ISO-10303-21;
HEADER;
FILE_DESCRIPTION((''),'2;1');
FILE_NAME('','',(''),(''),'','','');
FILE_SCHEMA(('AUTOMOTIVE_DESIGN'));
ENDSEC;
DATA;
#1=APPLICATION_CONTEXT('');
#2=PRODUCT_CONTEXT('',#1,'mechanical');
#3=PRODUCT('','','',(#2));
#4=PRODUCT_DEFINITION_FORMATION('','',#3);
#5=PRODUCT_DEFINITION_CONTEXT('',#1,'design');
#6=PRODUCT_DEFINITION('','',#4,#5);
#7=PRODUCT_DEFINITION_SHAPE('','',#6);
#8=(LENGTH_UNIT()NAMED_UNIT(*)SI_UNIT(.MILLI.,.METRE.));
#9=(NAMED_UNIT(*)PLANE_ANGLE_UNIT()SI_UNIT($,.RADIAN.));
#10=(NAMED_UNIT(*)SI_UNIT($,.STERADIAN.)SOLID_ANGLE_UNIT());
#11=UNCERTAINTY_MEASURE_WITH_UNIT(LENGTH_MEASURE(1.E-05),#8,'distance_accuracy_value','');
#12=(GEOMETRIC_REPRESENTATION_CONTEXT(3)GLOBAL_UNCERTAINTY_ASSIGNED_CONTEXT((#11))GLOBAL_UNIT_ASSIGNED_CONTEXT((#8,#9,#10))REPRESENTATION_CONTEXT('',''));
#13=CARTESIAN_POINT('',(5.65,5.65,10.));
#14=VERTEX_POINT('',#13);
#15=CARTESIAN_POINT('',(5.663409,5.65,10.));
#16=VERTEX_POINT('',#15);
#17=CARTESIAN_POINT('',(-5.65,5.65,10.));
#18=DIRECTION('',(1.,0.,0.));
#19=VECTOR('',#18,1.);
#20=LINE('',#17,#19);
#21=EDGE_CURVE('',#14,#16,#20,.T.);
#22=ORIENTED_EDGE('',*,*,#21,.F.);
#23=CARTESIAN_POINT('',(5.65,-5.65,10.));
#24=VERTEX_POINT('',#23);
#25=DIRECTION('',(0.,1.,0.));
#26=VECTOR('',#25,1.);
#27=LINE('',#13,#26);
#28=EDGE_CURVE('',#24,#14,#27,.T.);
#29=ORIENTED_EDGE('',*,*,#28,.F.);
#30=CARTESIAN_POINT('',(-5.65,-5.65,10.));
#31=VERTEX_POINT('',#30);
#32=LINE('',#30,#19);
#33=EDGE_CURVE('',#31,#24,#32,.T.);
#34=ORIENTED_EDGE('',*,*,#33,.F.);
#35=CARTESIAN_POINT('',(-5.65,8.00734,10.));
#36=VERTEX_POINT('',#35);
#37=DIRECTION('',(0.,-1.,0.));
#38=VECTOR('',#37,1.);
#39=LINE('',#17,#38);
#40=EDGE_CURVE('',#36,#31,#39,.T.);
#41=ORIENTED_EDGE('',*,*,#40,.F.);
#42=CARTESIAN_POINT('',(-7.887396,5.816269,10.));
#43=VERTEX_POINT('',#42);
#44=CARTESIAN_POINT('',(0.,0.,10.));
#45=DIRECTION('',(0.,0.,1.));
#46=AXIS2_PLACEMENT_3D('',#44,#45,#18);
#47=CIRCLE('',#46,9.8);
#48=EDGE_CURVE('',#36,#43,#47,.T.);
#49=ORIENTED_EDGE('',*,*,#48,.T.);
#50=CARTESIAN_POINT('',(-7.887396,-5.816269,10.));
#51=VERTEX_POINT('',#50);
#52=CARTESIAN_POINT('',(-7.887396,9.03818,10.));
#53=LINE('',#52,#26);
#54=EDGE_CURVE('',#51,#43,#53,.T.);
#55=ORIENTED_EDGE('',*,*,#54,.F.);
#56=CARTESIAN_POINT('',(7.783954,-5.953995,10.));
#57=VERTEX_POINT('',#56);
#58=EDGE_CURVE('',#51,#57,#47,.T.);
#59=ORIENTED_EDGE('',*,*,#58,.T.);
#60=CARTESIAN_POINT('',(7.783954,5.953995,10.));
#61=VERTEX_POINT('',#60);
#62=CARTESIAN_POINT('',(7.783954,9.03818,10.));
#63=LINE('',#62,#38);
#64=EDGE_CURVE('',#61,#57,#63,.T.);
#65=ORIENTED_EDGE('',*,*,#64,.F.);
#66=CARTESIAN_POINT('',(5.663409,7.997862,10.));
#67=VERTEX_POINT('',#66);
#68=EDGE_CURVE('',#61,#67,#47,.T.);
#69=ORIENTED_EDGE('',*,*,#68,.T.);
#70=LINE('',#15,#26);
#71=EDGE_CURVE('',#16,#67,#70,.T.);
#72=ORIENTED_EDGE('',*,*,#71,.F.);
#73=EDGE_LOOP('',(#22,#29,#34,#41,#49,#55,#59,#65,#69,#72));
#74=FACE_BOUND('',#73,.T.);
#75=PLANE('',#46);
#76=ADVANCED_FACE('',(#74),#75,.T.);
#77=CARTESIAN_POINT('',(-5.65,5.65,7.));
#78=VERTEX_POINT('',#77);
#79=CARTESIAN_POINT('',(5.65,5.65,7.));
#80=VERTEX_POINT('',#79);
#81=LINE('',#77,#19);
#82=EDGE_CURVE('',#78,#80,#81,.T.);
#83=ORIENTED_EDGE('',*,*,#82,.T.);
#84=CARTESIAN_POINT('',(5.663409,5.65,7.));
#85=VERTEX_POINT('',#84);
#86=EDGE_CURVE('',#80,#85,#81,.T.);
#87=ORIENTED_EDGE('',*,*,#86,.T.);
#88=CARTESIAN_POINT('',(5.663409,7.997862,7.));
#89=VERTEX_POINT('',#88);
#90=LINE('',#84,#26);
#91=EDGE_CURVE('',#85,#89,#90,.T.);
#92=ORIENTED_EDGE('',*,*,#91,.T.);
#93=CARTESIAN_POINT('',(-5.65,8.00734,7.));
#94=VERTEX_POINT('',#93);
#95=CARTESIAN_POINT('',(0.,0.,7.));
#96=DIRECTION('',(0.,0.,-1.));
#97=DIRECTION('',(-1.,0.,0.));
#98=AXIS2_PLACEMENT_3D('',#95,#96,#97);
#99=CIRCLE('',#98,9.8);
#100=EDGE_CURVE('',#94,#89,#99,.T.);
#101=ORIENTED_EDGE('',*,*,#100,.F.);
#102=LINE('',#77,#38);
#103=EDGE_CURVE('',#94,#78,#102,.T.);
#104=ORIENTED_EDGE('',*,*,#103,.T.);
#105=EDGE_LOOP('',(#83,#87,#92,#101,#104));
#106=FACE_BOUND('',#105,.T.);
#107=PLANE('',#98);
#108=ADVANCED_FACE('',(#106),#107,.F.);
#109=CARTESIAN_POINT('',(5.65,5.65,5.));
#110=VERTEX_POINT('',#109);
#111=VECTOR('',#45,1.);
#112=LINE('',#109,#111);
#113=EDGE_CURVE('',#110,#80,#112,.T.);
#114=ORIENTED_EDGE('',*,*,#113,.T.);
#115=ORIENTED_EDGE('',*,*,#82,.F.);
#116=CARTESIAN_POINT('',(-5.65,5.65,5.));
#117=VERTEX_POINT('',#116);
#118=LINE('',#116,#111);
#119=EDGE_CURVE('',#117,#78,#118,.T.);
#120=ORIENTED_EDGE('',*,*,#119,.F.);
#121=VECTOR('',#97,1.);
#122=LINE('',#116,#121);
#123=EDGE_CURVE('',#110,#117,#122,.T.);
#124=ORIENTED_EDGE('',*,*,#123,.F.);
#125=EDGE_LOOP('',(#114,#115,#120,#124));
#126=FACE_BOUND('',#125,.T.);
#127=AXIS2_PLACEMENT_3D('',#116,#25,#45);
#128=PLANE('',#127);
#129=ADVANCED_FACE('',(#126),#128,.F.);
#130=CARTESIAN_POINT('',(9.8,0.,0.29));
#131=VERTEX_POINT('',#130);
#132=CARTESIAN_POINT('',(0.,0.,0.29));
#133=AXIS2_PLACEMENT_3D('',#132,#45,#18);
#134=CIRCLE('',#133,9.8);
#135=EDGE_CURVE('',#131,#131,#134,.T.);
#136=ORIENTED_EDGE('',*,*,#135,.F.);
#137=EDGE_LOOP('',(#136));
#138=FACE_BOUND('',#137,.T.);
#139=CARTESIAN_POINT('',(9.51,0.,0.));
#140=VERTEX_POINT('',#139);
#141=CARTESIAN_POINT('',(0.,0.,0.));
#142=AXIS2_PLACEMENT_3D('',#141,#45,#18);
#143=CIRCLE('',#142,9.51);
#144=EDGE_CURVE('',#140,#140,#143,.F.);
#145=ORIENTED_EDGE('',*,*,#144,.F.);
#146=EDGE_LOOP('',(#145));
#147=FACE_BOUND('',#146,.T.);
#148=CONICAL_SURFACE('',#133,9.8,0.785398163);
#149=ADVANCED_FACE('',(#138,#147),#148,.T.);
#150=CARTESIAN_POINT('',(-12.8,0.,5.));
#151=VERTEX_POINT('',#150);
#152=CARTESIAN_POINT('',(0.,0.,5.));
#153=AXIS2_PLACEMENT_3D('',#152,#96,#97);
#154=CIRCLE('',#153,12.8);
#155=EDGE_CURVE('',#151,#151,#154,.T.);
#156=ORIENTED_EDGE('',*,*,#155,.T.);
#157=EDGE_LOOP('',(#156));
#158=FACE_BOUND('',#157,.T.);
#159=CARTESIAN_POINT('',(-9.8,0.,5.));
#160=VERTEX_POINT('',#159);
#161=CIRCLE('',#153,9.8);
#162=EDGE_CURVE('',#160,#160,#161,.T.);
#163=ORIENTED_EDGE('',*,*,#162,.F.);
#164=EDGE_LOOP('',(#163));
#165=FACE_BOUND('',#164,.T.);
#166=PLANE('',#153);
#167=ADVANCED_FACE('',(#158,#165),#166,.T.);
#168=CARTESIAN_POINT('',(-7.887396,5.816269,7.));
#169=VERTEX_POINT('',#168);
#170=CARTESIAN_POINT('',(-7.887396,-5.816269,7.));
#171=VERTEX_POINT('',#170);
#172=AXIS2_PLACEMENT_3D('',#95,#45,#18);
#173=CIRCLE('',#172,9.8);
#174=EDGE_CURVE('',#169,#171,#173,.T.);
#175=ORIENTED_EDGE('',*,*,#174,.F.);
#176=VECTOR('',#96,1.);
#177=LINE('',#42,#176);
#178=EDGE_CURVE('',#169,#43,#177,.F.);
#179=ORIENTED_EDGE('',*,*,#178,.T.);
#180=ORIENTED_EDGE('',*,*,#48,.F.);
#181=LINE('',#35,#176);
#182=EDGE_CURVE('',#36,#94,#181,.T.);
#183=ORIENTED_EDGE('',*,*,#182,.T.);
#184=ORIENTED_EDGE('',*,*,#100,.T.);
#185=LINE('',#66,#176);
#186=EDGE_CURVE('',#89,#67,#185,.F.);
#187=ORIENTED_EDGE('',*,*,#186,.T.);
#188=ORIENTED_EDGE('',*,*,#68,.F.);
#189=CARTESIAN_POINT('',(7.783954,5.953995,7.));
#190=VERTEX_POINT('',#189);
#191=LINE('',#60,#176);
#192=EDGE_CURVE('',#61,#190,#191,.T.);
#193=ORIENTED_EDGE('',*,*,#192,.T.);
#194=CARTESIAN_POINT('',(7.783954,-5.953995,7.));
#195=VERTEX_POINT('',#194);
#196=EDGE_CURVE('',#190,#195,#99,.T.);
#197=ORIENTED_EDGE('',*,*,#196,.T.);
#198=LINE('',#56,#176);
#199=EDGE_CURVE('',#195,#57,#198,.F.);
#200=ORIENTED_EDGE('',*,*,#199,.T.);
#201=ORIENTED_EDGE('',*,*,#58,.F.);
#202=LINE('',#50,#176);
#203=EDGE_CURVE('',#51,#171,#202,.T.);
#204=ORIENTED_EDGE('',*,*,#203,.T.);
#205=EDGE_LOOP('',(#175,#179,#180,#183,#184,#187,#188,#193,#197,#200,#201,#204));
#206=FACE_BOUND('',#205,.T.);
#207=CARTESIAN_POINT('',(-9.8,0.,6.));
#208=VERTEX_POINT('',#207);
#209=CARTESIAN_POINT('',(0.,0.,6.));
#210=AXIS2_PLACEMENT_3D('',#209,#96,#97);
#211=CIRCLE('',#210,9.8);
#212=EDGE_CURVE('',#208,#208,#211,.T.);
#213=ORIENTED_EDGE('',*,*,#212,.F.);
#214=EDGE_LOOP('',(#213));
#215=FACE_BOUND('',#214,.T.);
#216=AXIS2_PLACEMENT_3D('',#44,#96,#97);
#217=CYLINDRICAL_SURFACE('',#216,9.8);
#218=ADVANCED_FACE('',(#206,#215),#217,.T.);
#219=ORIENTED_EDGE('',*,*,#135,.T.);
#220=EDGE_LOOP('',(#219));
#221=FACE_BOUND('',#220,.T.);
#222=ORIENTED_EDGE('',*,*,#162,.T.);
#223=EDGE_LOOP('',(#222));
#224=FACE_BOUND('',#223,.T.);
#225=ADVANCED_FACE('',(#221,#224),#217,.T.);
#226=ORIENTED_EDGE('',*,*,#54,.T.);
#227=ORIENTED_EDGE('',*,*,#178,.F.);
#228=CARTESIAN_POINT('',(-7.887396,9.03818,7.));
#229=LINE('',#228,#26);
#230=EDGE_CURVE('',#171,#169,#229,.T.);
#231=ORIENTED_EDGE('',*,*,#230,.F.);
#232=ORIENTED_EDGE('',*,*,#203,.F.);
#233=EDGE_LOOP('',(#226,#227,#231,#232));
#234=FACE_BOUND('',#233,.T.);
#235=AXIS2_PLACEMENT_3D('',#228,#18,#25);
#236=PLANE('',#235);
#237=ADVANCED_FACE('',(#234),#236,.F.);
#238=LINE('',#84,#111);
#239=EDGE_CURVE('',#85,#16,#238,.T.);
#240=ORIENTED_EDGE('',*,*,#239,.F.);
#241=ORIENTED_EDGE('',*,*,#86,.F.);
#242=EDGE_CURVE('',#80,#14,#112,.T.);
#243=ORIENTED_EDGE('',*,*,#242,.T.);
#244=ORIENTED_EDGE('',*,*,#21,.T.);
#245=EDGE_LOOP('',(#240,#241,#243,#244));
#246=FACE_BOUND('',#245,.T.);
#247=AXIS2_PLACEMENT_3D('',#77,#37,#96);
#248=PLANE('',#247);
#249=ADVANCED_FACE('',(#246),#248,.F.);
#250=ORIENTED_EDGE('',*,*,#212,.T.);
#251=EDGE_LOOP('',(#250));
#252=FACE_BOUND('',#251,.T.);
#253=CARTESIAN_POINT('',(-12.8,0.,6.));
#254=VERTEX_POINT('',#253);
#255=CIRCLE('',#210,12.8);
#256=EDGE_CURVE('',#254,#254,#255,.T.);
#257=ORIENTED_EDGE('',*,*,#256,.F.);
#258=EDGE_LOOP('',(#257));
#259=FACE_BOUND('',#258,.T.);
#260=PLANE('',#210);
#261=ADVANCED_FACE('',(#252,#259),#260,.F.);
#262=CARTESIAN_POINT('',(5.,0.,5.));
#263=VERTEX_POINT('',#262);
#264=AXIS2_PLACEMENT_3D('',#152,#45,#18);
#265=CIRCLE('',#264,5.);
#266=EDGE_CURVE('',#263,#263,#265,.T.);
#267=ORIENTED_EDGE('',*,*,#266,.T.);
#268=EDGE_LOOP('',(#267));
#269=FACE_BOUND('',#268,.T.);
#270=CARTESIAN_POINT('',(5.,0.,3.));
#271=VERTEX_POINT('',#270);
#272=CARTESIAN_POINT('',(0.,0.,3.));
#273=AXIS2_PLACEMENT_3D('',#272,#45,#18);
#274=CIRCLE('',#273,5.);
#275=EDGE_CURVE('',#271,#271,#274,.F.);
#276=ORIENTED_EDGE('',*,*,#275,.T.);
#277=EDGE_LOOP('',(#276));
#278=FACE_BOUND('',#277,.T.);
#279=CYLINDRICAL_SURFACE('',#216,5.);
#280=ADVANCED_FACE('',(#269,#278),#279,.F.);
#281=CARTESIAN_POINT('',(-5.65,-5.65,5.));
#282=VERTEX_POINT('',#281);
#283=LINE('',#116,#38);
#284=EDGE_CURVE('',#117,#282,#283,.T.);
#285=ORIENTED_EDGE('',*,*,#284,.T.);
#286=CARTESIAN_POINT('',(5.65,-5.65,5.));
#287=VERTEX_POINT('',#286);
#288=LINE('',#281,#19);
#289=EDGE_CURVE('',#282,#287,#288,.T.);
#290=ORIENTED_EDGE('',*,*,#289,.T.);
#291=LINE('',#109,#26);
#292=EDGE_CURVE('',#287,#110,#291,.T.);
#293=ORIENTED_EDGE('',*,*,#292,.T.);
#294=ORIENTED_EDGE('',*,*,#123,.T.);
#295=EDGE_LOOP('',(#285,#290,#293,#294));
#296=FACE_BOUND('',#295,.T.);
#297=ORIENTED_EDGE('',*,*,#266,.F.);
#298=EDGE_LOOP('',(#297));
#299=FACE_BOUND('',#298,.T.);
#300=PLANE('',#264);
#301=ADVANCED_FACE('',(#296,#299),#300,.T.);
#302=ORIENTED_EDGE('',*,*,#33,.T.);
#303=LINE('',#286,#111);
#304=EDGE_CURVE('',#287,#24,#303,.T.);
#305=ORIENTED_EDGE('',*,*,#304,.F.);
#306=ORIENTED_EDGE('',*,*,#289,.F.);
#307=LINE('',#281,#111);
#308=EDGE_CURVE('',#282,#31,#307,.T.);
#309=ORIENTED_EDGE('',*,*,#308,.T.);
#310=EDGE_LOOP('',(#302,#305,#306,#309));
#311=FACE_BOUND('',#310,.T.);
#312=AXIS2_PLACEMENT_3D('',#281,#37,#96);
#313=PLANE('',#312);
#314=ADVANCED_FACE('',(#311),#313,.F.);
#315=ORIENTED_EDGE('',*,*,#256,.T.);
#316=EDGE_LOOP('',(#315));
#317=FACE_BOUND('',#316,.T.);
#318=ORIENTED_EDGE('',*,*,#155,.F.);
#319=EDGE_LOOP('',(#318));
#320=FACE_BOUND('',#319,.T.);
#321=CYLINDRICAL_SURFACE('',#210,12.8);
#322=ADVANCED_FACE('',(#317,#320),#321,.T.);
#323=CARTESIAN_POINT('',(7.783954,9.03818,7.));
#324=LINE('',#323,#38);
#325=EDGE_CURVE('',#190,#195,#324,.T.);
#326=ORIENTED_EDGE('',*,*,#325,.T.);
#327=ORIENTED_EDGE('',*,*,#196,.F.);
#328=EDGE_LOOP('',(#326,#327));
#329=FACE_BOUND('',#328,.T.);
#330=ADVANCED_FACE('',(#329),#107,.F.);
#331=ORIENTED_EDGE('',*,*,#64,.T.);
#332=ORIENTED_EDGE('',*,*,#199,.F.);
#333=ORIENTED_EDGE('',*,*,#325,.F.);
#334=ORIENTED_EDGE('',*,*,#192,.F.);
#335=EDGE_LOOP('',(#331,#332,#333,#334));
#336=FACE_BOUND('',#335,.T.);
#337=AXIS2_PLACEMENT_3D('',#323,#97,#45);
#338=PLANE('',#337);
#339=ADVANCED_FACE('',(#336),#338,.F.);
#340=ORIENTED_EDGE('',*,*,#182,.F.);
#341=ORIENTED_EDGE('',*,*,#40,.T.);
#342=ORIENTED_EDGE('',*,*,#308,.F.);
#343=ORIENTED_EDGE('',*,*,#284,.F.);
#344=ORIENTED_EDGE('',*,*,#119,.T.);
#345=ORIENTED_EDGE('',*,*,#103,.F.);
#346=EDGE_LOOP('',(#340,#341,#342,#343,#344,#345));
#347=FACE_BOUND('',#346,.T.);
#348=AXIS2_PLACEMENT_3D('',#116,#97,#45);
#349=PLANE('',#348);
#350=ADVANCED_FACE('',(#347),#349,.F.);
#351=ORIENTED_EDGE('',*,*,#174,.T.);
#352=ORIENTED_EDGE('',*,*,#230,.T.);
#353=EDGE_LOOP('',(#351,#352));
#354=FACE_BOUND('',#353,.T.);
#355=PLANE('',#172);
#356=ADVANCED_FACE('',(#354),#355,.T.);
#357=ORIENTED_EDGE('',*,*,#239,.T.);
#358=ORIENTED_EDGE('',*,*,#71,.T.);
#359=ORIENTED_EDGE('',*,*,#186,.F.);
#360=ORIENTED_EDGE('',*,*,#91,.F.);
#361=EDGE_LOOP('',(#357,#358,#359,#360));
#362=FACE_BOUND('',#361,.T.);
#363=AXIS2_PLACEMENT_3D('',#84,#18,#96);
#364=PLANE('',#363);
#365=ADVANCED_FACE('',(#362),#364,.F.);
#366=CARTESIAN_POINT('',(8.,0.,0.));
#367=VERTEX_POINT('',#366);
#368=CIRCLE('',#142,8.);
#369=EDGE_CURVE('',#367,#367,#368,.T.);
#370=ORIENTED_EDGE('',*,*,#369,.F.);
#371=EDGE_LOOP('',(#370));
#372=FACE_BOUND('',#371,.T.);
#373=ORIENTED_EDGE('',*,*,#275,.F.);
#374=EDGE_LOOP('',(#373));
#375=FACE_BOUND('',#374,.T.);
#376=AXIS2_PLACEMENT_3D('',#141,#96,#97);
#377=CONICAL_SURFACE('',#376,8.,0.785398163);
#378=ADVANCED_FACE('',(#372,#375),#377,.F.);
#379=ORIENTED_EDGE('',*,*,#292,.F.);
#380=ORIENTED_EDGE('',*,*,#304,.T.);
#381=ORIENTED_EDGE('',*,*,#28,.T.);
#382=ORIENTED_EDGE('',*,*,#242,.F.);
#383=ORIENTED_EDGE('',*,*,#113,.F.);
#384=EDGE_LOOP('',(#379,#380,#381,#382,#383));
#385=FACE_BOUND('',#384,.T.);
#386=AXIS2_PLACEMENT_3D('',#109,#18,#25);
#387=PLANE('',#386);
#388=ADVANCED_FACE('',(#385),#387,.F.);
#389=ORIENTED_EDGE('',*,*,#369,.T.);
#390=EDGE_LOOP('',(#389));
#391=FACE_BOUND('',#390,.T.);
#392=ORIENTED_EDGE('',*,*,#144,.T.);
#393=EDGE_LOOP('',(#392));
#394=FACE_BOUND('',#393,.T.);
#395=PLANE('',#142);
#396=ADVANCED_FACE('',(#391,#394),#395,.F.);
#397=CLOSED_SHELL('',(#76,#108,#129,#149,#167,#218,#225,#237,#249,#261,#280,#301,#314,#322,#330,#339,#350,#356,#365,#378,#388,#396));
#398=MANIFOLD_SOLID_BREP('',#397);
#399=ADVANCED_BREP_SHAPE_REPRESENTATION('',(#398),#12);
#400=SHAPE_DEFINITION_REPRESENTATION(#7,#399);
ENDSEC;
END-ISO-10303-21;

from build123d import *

# Parameters (mm, degrees)
SKETCH1_R           = 9.8
SKETCH1_R_2         = 5
BOSS_EXTRUDE1_DEPTH = 10
SKETCH2_W           = 11.3
SKETCH2_H           = 11.3
CUT_EXTRUDE1_DEPTH  = 5
SKETCH3_W           = 11.313408722
SKETCH3_H           = 4.707055676
CUT_EXTRUDE2_DEPTH  = 3
SKETCH4_W           = 5.404805584
SKETCH4_H           = 18.076359344
SKETCH4_W_2         = 5.663408722
SKETCH4_H_2         = 17.947057775
CUT_EXTRUDE3_DEPTH  = 3
CHAMFER1_SIZE       = 3
CHAMFER2_SIZE       = 0.29
SKETCH5_R           = 12.8
SKETCH5_R_2         = 9.8
BOSS_EXTRUDE2_DEPTH = 1


with BuildPart() as part:
    # Sketch1 → Boss-Extrude1 (new body)
    with BuildSketch(Plane.XY):
        Circle(SKETCH1_R)
        Circle(SKETCH1_R_2, mode=Mode.SUBTRACT)
    extrude(amount=BOSS_EXTRUDE1_DEPTH)

    # Sketch2 → Cut-Extrude1 (cut)
    with BuildSketch(Plane.XY.offset(10)):
        Rectangle(SKETCH2_W, SKETCH2_H)
    extrude(amount=-CUT_EXTRUDE1_DEPTH, mode=Mode.SUBTRACT)

    # Sketch3 → Cut-Extrude2 (cut)
    with BuildSketch(Plane.XY.offset(10)):
        with Locations((0.006704361, 8.003527838)):
            Rectangle(SKETCH3_W, SKETCH3_H)
    extrude(amount=-CUT_EXTRUDE2_DEPTH, mode=Mode.SUBTRACT)

    # Sketch4 → Cut-Extrude3 (cut)
    with BuildSketch(Plane.XY.offset(10)):
        with Locations((-10.5897985, 0)):
            Rectangle(SKETCH4_W, SKETCH4_H)
        with Locations((10.615658814, 0.064650784)):
            Rectangle(SKETCH4_W_2, SKETCH4_H_2)
    extrude(amount=-CUT_EXTRUDE3_DEPTH, mode=Mode.SUBTRACT)

    # Chamfer1
    chamfer1_edges = [part.edges().sort_by_distance(p)[0] for p in [
        (-5, 0, 0),
    ]]
    chamfer(chamfer1_edges, length=CHAMFER1_SIZE)

    # Chamfer2
    chamfer2_edges = [part.edges().sort_by_distance(p)[0] for p in [
        (-9.8, 0, 0),
    ]]
    chamfer(chamfer2_edges, length=CHAMFER2_SIZE)

    # Sketch5 → Boss-Extrude2 (add)
    with BuildSketch(Plane(origin=(0, 0, 5), x_dir=(-1, 0, 0), z_dir=(0, 0, -1))):
        Circle(SKETCH5_R)
        Circle(SKETCH5_R_2, mode=Mode.SUBTRACT)
    extrude(amount=-BOSS_EXTRUDE2_DEPTH)


solid = part.part
